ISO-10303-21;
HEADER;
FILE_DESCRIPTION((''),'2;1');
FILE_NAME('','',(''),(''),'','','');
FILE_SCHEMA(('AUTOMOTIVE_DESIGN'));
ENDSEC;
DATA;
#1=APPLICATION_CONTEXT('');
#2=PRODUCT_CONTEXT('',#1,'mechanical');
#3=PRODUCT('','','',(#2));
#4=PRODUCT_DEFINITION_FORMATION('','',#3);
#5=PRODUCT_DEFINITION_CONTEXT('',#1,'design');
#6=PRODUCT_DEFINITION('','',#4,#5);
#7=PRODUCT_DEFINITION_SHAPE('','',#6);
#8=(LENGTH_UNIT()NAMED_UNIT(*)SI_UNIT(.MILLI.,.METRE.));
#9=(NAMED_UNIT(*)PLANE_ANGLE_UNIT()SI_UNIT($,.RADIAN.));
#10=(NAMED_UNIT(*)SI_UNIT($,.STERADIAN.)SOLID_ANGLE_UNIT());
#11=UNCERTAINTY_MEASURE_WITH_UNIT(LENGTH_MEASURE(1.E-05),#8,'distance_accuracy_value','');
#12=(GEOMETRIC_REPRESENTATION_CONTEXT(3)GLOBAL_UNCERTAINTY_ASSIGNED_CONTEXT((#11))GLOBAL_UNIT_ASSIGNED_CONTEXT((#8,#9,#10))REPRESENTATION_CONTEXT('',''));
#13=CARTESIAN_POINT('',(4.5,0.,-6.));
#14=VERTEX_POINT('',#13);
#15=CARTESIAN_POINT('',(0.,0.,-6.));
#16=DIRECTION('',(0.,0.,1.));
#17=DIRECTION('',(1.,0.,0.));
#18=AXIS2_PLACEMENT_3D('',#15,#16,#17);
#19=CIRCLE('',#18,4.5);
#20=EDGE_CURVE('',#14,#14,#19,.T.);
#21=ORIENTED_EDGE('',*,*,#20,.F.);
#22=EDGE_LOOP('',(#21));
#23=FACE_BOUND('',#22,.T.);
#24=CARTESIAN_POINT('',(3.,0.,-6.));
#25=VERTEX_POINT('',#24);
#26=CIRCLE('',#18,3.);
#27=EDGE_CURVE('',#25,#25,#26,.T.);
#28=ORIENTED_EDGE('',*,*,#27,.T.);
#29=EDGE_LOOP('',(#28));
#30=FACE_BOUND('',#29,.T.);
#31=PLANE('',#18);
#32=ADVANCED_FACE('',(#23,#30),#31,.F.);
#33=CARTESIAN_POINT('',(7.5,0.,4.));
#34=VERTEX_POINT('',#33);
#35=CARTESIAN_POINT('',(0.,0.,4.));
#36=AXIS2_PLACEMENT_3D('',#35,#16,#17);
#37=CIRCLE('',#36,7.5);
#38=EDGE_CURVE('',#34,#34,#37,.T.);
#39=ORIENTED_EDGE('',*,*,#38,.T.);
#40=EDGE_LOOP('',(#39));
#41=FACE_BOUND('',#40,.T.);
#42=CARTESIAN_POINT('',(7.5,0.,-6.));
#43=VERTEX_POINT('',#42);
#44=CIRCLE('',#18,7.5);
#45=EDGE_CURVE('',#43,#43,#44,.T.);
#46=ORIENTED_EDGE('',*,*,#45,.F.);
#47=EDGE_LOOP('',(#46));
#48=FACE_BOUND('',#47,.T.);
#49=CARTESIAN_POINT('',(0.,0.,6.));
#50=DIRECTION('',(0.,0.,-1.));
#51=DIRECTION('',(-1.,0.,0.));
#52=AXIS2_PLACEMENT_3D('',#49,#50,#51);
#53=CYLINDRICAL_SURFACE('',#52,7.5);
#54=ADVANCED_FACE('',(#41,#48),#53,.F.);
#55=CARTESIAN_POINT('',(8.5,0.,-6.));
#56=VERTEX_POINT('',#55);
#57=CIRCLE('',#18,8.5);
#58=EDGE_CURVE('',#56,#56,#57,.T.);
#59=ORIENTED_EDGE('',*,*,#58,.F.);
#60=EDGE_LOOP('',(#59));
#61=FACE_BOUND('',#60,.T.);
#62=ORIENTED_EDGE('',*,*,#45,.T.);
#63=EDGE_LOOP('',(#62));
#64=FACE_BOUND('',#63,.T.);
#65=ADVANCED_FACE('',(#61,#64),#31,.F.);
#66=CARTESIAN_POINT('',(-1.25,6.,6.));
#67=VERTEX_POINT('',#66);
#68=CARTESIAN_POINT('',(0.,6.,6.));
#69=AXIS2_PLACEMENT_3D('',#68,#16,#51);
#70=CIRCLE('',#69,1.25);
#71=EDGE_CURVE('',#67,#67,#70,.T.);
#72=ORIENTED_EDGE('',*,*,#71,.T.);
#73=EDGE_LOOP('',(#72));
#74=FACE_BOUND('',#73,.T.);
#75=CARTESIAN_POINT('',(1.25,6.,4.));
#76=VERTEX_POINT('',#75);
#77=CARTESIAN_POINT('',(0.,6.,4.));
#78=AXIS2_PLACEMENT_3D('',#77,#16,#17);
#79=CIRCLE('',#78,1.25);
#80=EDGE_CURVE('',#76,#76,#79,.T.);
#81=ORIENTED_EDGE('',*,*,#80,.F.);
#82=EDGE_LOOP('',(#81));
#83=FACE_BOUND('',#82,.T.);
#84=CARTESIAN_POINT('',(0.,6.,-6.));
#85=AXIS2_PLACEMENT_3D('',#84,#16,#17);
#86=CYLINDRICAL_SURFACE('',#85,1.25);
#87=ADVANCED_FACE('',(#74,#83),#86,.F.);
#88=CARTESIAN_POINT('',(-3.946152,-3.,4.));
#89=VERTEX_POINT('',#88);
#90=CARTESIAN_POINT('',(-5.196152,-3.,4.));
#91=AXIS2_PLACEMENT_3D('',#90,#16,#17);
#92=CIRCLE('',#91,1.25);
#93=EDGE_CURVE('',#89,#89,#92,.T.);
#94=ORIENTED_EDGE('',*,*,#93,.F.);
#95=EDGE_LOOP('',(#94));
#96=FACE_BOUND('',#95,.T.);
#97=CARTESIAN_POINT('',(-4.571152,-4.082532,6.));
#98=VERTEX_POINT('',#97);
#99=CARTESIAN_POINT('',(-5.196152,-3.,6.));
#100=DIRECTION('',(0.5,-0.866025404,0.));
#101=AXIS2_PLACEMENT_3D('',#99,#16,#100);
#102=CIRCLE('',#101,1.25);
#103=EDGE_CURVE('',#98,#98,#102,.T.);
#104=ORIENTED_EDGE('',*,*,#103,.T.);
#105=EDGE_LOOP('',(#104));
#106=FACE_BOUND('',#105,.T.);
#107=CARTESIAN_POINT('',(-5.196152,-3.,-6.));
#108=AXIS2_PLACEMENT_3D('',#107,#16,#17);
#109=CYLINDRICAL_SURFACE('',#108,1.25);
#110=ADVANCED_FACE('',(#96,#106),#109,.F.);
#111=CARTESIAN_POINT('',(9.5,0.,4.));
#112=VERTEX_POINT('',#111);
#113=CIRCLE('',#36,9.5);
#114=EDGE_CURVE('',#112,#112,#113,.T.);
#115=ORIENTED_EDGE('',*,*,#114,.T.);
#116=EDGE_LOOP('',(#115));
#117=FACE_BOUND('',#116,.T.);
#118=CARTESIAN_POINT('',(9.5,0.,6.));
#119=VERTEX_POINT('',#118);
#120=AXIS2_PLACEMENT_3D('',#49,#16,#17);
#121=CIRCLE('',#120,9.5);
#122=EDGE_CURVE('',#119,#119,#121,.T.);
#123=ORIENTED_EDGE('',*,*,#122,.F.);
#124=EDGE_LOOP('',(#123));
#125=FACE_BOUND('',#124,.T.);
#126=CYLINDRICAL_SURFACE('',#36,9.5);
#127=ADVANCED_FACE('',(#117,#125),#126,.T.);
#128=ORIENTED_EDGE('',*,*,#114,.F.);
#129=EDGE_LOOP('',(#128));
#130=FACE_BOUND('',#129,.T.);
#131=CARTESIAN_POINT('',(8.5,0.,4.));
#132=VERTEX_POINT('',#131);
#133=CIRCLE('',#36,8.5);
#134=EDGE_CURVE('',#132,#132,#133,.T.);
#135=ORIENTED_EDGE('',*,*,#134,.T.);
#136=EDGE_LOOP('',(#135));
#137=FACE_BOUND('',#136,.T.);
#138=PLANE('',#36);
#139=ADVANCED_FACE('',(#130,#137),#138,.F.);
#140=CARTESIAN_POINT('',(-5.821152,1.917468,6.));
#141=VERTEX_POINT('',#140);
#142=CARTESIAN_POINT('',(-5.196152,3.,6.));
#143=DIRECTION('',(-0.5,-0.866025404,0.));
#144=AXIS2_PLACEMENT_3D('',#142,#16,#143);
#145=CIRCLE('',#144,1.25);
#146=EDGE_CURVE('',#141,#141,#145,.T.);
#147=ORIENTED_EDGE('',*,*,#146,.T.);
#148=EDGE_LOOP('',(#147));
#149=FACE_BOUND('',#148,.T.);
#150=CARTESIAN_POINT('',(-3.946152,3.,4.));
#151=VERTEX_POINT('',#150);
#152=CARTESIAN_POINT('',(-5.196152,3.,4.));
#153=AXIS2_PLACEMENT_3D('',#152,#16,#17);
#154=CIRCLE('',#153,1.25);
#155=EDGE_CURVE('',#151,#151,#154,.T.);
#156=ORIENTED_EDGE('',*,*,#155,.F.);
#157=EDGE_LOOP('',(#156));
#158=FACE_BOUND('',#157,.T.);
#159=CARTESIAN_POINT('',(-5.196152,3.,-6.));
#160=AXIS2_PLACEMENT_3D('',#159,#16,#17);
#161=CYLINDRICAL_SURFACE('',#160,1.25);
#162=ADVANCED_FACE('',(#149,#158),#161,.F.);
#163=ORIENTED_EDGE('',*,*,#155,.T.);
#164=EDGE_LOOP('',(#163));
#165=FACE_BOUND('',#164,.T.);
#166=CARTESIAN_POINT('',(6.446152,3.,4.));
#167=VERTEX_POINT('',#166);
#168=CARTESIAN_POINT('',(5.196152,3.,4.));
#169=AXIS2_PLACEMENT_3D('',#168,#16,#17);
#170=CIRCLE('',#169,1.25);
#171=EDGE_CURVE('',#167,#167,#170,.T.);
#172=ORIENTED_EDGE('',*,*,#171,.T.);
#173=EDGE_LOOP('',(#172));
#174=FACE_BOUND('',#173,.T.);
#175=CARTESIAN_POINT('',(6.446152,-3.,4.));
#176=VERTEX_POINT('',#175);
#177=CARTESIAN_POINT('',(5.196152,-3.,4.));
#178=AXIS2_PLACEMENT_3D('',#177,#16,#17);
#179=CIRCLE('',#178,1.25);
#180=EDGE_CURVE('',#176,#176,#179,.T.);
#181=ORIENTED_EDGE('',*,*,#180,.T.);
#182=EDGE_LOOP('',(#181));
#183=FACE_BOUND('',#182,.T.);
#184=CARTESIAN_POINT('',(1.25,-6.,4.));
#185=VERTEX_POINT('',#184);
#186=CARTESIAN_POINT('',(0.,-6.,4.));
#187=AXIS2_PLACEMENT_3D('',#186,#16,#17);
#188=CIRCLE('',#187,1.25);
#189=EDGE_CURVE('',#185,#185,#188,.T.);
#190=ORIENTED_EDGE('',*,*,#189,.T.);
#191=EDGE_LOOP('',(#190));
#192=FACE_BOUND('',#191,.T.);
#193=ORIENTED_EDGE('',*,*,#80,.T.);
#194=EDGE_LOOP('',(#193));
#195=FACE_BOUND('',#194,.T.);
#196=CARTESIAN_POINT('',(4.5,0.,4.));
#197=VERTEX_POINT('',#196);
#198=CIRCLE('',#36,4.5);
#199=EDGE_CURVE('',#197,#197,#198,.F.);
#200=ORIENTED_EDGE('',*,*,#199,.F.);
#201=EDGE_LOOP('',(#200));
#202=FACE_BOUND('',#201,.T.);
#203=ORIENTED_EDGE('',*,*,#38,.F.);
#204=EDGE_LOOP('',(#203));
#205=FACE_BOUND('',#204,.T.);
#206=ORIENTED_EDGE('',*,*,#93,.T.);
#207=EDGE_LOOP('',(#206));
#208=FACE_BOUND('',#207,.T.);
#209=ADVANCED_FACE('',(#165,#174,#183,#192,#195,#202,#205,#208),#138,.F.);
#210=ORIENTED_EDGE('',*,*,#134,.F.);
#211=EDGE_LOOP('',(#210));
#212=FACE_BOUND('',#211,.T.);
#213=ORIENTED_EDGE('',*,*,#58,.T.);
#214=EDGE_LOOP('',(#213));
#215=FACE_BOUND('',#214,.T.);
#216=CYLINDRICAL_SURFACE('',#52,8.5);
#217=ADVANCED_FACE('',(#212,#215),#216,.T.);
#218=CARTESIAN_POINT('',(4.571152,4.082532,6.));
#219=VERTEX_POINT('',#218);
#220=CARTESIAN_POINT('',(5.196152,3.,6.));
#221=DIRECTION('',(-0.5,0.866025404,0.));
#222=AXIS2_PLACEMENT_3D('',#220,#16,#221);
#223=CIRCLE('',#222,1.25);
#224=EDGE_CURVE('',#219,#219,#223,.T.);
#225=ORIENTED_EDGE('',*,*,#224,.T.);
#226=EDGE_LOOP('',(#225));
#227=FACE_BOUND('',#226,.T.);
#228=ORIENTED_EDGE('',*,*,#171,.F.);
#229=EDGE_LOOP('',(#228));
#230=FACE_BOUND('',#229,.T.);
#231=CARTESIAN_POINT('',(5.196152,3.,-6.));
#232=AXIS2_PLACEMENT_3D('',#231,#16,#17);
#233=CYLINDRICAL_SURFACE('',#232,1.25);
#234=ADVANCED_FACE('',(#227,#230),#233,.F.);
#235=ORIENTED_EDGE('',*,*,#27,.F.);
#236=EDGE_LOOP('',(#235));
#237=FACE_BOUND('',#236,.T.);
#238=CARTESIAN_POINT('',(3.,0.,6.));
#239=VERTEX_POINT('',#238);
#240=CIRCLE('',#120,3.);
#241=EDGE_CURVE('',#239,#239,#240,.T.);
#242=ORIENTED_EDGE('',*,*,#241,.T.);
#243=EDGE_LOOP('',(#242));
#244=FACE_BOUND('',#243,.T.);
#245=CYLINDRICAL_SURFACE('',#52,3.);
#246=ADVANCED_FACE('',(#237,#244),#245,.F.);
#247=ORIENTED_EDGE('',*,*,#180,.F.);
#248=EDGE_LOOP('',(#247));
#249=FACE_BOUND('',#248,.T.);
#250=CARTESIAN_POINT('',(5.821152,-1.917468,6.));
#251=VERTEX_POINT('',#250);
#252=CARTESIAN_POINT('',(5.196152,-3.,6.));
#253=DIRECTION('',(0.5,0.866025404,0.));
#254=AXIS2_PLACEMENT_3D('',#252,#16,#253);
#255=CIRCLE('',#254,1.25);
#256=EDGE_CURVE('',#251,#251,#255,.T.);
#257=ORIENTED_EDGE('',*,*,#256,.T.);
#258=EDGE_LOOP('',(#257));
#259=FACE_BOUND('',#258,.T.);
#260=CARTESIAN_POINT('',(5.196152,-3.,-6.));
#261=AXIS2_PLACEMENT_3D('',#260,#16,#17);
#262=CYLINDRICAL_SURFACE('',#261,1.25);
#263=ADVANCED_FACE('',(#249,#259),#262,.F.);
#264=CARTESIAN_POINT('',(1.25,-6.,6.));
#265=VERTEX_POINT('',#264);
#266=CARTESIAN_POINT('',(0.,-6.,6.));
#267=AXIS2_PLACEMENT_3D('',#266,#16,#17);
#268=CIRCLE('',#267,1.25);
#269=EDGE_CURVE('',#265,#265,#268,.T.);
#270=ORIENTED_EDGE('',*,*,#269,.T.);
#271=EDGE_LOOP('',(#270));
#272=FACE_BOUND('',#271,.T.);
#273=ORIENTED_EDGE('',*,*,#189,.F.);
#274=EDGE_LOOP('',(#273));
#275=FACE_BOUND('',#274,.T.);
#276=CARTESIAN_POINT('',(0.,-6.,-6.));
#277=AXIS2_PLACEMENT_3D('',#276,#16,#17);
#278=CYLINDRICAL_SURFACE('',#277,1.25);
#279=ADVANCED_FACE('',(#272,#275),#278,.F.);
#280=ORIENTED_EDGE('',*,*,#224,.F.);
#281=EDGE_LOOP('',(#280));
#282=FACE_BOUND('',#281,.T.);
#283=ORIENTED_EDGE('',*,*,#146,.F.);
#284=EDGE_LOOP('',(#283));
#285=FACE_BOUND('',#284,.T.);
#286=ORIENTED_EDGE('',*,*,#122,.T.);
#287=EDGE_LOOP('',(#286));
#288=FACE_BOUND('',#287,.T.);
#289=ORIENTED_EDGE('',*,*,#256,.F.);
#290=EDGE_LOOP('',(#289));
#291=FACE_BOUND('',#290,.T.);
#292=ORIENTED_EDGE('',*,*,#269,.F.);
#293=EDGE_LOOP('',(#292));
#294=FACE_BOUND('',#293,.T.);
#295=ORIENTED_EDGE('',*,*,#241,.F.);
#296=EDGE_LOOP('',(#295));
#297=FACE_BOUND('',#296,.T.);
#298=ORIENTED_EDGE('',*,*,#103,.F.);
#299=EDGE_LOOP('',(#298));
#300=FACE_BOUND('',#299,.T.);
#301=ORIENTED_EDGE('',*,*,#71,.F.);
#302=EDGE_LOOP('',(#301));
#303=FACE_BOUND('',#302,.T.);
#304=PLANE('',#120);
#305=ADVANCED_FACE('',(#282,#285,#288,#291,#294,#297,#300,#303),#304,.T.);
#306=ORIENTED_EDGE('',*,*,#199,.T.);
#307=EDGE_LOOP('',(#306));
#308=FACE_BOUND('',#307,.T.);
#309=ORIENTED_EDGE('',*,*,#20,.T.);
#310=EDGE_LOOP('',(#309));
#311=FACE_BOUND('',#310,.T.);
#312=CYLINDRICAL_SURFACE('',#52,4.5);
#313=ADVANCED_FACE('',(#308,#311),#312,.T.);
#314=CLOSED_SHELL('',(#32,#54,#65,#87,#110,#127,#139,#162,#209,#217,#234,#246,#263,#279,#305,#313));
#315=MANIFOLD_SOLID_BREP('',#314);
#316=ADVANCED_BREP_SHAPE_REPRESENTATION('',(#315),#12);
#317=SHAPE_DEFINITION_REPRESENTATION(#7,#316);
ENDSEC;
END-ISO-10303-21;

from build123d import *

# Parameters (mm, degrees)
SKETCH1_R             = 8.5
SKETCH1_R_2           = 7.5
BOSS_EXTRUDE1_DEPTH   = 6
SKETCH1_R_3           = 4.5
SKETCH1_R_4           = 3
BOSS_EXTRUDE1_2_DEPTH = 6
BOSS_EXTRUDE12_START  = 6
SKETCH1_4_R           = 9.5
SKETCH1_4_R_2         = 8.5
SKETCH1_4_R_3         = 7.5
SKETCH1_4_R_4         = 1.25
SKETCH1_4_R_5         = 4.5
BOSS_EXTRUDE12_DEPTH  = 2
SKETCH1_5_R           = 1.25
CUT_EXTRUDE2_DEPTH    = 7
CIRPATTERN1_COUNT     = 6


with BuildPart() as part:
    # Sketch1 → Boss-Extrude1 (new body, symmetric)
    with BuildSketch(Plane.XY):
        Circle(SKETCH1_R)
        Circle(SKETCH1_R_2, mode=Mode.SUBTRACT)
    extrude(amount=BOSS_EXTRUDE1_DEPTH, both=True)



with BuildPart() as body_2:
    # Sketch1 → Boss-Extrude1 2 (new body, symmetric)
    with BuildSketch(Plane.XY):
        Circle(SKETCH1_R_3)
        Circle(SKETCH1_R_4, mode=Mode.SUBTRACT)
    extrude(amount=BOSS_EXTRUDE1_2_DEPTH, both=True)


with BuildPart() as part_1:
    add(part.part)

    add(body_2.part)  # Boss-Extrude12 merges body 2
    # Sketch1<4> → Boss-Extrude12 (add)
    with BuildSketch(Plane.XY.offset(BOSS_EXTRUDE12_START)):
        Circle(SKETCH1_4_R)
        Circle(SKETCH1_4_R_2, mode=Mode.SUBTRACT)
        Circle(SKETCH1_4_R_3)
        with Locations((0, -6)):
            Circle(SKETCH1_4_R_4, mode=Mode.SUBTRACT)
        Circle(SKETCH1_4_R_5, mode=Mode.SUBTRACT)
    extrude(amount=-BOSS_EXTRUDE12_DEPTH)

    # Sketch1<5> → Cut-Extrude2 (cut, symmetric)
    with BuildSketch(Plane.XY):
        with Locations((0, -6)):
            Circle(SKETCH1_5_R)
    cut_extrude2 = extrude(amount=CUT_EXTRUDE2_DEPTH, both=True, mode=Mode.SUBTRACT)

    # CirPattern1: Cut-Extrude2 ×6 about axis
    cirpattern1_axis = Axis((0, 0, 0), (0, 0, 1))
    for i in range(1, CIRPATTERN1_COUNT):
        add(cut_extrude2.rotate(cirpattern1_axis, i * 360 / CIRPATTERN1_COUNT), mode=Mode.SUBTRACT)


solid = part_1.part
